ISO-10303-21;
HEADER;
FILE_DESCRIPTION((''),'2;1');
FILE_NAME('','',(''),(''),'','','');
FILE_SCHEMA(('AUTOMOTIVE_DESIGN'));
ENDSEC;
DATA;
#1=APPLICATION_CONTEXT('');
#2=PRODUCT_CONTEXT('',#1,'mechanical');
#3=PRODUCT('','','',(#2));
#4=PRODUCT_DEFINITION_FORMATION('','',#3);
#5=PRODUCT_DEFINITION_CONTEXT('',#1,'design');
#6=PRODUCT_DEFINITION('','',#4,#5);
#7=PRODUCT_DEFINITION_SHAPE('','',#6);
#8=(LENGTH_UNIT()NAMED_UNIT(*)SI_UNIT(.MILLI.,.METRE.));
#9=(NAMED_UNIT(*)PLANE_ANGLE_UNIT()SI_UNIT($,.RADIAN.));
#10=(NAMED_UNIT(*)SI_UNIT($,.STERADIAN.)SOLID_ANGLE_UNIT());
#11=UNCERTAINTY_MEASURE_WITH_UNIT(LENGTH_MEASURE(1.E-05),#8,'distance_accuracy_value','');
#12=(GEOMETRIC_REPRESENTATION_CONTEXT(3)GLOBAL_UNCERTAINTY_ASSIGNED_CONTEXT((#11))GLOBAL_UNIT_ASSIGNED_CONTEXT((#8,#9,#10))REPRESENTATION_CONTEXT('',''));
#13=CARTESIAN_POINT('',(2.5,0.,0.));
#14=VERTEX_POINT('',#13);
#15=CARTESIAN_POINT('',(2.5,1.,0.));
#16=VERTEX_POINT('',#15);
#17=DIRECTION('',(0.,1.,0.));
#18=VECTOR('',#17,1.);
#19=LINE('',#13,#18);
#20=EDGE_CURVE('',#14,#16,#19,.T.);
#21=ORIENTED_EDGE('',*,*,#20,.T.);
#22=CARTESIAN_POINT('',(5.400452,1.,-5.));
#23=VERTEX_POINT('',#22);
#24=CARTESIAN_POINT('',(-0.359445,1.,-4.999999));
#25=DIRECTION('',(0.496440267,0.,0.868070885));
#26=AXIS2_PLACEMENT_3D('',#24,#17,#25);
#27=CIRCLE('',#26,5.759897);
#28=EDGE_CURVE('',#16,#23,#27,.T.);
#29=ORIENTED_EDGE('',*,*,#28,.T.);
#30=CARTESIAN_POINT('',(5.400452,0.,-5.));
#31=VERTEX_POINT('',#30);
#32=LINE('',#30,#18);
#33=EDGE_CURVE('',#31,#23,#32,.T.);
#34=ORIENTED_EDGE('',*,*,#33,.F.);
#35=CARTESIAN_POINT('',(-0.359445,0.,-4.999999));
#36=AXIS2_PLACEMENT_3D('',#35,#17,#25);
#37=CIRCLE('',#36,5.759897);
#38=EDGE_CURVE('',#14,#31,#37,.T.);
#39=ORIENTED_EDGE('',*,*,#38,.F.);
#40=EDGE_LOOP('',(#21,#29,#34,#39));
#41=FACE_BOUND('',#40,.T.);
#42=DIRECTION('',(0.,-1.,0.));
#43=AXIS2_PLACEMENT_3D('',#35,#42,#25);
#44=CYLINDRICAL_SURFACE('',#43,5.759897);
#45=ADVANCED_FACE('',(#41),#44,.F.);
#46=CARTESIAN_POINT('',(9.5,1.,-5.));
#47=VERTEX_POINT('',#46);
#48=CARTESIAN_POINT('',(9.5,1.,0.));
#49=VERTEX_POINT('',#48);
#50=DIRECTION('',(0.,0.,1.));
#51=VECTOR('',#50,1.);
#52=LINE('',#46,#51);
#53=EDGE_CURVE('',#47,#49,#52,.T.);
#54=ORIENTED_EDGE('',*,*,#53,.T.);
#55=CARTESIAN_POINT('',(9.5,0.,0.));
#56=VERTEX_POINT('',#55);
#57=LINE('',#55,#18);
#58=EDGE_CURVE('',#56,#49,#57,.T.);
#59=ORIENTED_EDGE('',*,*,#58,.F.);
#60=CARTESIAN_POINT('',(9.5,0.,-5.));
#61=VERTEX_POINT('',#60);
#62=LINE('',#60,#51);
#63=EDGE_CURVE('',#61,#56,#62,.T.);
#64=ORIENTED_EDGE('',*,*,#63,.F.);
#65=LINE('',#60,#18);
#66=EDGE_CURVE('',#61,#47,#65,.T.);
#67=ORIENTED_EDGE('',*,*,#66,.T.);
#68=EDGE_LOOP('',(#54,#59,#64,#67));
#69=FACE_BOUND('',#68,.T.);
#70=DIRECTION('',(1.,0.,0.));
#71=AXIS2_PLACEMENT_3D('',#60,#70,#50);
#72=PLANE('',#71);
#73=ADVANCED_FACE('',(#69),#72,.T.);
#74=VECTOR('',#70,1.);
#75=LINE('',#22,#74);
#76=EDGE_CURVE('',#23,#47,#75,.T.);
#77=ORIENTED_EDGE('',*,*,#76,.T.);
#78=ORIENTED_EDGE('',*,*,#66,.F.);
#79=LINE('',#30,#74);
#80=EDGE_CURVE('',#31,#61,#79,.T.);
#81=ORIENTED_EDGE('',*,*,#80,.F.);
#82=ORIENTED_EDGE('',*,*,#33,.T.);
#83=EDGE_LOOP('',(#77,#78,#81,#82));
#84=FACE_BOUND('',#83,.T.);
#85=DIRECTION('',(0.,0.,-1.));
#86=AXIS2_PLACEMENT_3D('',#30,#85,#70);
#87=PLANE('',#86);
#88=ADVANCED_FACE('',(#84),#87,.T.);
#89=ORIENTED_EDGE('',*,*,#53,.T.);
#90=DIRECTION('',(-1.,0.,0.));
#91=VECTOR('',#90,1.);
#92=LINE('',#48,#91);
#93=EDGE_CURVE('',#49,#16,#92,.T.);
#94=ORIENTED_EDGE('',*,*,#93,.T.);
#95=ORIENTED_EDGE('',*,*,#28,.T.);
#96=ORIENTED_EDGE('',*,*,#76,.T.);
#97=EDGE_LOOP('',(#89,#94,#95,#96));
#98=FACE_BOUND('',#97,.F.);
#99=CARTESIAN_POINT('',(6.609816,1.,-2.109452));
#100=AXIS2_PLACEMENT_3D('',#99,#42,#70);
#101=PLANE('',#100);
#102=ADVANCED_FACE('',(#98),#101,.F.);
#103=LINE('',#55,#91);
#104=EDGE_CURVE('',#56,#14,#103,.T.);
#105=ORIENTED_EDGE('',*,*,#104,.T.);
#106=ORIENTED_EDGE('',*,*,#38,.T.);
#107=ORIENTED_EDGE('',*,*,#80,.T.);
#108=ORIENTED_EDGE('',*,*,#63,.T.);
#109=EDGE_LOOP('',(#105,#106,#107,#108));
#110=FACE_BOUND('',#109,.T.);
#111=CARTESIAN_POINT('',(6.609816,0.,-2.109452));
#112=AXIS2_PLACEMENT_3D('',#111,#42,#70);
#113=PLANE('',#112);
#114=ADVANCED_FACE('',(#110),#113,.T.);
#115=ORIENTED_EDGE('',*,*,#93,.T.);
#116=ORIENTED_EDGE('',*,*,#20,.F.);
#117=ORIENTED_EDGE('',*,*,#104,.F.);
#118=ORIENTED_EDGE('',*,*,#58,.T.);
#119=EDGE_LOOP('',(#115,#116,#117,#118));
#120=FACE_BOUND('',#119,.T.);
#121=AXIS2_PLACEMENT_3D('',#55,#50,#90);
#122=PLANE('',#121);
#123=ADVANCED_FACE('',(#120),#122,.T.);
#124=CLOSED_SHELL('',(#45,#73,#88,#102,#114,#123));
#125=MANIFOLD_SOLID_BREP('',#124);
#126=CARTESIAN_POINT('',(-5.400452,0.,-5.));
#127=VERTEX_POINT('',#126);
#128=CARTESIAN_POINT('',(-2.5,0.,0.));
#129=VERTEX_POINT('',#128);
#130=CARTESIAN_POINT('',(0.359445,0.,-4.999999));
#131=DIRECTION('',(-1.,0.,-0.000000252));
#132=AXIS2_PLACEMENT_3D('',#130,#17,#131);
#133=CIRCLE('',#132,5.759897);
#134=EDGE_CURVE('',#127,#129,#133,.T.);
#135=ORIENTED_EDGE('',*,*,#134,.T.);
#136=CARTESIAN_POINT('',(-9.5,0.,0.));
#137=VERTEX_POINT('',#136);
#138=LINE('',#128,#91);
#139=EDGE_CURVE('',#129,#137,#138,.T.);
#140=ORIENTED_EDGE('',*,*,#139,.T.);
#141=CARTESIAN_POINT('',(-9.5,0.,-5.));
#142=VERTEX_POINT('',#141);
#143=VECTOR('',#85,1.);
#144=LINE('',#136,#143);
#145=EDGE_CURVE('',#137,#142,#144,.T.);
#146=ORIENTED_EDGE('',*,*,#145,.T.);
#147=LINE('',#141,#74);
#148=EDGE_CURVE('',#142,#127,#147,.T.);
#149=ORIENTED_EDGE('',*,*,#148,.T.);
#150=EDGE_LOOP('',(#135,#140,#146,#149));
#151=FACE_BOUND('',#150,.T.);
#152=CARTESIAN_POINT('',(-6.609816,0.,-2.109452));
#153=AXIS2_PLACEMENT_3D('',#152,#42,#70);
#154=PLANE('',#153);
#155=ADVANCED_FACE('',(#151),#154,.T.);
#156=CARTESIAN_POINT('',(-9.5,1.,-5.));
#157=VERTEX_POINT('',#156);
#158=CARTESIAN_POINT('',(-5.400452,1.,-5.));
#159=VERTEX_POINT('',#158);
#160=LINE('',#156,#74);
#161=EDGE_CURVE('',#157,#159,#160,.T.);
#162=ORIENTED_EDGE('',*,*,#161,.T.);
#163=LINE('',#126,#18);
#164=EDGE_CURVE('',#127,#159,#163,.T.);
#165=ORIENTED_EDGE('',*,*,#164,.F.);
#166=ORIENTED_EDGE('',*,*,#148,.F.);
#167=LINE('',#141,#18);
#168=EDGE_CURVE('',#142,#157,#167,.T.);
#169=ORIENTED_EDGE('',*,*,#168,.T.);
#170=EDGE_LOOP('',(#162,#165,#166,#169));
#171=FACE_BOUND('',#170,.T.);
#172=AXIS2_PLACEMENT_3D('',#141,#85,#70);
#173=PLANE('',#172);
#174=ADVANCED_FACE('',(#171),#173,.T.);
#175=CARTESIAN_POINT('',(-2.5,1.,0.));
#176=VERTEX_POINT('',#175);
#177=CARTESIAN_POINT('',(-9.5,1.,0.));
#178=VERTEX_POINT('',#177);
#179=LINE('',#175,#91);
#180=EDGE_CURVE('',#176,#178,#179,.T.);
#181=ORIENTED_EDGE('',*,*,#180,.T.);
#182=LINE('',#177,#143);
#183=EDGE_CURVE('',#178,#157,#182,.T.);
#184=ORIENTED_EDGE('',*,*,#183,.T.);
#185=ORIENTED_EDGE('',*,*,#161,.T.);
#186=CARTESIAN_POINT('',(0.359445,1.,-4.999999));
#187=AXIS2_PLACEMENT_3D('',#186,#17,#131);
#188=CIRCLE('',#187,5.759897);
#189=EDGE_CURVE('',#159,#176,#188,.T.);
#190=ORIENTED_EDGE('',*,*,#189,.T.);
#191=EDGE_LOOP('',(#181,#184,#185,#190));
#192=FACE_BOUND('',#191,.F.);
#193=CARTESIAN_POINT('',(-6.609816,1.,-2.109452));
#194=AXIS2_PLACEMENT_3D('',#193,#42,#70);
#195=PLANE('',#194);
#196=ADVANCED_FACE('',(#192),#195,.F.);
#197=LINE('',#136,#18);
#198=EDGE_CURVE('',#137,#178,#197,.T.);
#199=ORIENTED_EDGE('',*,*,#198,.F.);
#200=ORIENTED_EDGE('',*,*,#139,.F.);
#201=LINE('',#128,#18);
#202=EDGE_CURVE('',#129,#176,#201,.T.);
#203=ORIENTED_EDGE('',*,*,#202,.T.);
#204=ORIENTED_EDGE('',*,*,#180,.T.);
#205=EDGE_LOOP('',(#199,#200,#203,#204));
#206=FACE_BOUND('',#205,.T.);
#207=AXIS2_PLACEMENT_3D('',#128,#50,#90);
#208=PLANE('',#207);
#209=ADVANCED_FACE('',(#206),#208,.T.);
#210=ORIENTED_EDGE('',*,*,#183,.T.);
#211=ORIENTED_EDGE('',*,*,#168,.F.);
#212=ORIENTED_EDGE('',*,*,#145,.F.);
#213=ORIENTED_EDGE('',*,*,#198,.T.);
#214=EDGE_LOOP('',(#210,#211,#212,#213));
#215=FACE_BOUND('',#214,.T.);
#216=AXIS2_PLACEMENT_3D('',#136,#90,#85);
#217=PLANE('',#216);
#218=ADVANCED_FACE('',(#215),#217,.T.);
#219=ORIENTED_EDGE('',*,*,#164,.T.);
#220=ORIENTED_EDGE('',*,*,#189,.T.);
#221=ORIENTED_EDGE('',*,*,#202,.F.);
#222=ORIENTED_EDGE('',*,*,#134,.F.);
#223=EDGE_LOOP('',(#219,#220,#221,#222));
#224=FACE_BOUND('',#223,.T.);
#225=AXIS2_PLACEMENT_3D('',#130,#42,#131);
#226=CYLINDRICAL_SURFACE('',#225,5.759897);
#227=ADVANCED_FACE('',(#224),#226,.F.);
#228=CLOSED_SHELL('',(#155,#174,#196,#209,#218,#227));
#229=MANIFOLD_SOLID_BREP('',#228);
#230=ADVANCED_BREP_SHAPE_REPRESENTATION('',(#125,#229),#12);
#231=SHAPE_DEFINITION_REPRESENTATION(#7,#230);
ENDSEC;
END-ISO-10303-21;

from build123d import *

# Parameters (mm, degrees)
F1_DEPTH = 1


with BuildPart() as f1:
    # F0 (on Front) → F1 (new body)
    with BuildSketch(Plane.XZ):
        with BuildLine():
            Line((-5.5, 0), (-9.5, 0))
            Line((-9.5, 0), (-9.5, -5))
            Line((-9.5, -5), (-5.400452, -5))
            ThreePointArc((-5.400452, -5), (-4.62285, -2.109817), (-2.5, 0))
            Line((-2.5, 0), (-5.5, 0))
        make_face()
        with BuildLine():
            Line((5.400452, -5), (9.5, -5))
            Line((9.5, -5), (9.5, 0))
            Line((9.5, 0), (5.5, 0))
            Line((5.5, 0), (2.5, 0))
            ThreePointArc((2.5, 0), (4.62285, -2.109817), (5.400452, -5))
        make_face()
    extrude(amount=-F1_DEPTH)


solid = f1.part
